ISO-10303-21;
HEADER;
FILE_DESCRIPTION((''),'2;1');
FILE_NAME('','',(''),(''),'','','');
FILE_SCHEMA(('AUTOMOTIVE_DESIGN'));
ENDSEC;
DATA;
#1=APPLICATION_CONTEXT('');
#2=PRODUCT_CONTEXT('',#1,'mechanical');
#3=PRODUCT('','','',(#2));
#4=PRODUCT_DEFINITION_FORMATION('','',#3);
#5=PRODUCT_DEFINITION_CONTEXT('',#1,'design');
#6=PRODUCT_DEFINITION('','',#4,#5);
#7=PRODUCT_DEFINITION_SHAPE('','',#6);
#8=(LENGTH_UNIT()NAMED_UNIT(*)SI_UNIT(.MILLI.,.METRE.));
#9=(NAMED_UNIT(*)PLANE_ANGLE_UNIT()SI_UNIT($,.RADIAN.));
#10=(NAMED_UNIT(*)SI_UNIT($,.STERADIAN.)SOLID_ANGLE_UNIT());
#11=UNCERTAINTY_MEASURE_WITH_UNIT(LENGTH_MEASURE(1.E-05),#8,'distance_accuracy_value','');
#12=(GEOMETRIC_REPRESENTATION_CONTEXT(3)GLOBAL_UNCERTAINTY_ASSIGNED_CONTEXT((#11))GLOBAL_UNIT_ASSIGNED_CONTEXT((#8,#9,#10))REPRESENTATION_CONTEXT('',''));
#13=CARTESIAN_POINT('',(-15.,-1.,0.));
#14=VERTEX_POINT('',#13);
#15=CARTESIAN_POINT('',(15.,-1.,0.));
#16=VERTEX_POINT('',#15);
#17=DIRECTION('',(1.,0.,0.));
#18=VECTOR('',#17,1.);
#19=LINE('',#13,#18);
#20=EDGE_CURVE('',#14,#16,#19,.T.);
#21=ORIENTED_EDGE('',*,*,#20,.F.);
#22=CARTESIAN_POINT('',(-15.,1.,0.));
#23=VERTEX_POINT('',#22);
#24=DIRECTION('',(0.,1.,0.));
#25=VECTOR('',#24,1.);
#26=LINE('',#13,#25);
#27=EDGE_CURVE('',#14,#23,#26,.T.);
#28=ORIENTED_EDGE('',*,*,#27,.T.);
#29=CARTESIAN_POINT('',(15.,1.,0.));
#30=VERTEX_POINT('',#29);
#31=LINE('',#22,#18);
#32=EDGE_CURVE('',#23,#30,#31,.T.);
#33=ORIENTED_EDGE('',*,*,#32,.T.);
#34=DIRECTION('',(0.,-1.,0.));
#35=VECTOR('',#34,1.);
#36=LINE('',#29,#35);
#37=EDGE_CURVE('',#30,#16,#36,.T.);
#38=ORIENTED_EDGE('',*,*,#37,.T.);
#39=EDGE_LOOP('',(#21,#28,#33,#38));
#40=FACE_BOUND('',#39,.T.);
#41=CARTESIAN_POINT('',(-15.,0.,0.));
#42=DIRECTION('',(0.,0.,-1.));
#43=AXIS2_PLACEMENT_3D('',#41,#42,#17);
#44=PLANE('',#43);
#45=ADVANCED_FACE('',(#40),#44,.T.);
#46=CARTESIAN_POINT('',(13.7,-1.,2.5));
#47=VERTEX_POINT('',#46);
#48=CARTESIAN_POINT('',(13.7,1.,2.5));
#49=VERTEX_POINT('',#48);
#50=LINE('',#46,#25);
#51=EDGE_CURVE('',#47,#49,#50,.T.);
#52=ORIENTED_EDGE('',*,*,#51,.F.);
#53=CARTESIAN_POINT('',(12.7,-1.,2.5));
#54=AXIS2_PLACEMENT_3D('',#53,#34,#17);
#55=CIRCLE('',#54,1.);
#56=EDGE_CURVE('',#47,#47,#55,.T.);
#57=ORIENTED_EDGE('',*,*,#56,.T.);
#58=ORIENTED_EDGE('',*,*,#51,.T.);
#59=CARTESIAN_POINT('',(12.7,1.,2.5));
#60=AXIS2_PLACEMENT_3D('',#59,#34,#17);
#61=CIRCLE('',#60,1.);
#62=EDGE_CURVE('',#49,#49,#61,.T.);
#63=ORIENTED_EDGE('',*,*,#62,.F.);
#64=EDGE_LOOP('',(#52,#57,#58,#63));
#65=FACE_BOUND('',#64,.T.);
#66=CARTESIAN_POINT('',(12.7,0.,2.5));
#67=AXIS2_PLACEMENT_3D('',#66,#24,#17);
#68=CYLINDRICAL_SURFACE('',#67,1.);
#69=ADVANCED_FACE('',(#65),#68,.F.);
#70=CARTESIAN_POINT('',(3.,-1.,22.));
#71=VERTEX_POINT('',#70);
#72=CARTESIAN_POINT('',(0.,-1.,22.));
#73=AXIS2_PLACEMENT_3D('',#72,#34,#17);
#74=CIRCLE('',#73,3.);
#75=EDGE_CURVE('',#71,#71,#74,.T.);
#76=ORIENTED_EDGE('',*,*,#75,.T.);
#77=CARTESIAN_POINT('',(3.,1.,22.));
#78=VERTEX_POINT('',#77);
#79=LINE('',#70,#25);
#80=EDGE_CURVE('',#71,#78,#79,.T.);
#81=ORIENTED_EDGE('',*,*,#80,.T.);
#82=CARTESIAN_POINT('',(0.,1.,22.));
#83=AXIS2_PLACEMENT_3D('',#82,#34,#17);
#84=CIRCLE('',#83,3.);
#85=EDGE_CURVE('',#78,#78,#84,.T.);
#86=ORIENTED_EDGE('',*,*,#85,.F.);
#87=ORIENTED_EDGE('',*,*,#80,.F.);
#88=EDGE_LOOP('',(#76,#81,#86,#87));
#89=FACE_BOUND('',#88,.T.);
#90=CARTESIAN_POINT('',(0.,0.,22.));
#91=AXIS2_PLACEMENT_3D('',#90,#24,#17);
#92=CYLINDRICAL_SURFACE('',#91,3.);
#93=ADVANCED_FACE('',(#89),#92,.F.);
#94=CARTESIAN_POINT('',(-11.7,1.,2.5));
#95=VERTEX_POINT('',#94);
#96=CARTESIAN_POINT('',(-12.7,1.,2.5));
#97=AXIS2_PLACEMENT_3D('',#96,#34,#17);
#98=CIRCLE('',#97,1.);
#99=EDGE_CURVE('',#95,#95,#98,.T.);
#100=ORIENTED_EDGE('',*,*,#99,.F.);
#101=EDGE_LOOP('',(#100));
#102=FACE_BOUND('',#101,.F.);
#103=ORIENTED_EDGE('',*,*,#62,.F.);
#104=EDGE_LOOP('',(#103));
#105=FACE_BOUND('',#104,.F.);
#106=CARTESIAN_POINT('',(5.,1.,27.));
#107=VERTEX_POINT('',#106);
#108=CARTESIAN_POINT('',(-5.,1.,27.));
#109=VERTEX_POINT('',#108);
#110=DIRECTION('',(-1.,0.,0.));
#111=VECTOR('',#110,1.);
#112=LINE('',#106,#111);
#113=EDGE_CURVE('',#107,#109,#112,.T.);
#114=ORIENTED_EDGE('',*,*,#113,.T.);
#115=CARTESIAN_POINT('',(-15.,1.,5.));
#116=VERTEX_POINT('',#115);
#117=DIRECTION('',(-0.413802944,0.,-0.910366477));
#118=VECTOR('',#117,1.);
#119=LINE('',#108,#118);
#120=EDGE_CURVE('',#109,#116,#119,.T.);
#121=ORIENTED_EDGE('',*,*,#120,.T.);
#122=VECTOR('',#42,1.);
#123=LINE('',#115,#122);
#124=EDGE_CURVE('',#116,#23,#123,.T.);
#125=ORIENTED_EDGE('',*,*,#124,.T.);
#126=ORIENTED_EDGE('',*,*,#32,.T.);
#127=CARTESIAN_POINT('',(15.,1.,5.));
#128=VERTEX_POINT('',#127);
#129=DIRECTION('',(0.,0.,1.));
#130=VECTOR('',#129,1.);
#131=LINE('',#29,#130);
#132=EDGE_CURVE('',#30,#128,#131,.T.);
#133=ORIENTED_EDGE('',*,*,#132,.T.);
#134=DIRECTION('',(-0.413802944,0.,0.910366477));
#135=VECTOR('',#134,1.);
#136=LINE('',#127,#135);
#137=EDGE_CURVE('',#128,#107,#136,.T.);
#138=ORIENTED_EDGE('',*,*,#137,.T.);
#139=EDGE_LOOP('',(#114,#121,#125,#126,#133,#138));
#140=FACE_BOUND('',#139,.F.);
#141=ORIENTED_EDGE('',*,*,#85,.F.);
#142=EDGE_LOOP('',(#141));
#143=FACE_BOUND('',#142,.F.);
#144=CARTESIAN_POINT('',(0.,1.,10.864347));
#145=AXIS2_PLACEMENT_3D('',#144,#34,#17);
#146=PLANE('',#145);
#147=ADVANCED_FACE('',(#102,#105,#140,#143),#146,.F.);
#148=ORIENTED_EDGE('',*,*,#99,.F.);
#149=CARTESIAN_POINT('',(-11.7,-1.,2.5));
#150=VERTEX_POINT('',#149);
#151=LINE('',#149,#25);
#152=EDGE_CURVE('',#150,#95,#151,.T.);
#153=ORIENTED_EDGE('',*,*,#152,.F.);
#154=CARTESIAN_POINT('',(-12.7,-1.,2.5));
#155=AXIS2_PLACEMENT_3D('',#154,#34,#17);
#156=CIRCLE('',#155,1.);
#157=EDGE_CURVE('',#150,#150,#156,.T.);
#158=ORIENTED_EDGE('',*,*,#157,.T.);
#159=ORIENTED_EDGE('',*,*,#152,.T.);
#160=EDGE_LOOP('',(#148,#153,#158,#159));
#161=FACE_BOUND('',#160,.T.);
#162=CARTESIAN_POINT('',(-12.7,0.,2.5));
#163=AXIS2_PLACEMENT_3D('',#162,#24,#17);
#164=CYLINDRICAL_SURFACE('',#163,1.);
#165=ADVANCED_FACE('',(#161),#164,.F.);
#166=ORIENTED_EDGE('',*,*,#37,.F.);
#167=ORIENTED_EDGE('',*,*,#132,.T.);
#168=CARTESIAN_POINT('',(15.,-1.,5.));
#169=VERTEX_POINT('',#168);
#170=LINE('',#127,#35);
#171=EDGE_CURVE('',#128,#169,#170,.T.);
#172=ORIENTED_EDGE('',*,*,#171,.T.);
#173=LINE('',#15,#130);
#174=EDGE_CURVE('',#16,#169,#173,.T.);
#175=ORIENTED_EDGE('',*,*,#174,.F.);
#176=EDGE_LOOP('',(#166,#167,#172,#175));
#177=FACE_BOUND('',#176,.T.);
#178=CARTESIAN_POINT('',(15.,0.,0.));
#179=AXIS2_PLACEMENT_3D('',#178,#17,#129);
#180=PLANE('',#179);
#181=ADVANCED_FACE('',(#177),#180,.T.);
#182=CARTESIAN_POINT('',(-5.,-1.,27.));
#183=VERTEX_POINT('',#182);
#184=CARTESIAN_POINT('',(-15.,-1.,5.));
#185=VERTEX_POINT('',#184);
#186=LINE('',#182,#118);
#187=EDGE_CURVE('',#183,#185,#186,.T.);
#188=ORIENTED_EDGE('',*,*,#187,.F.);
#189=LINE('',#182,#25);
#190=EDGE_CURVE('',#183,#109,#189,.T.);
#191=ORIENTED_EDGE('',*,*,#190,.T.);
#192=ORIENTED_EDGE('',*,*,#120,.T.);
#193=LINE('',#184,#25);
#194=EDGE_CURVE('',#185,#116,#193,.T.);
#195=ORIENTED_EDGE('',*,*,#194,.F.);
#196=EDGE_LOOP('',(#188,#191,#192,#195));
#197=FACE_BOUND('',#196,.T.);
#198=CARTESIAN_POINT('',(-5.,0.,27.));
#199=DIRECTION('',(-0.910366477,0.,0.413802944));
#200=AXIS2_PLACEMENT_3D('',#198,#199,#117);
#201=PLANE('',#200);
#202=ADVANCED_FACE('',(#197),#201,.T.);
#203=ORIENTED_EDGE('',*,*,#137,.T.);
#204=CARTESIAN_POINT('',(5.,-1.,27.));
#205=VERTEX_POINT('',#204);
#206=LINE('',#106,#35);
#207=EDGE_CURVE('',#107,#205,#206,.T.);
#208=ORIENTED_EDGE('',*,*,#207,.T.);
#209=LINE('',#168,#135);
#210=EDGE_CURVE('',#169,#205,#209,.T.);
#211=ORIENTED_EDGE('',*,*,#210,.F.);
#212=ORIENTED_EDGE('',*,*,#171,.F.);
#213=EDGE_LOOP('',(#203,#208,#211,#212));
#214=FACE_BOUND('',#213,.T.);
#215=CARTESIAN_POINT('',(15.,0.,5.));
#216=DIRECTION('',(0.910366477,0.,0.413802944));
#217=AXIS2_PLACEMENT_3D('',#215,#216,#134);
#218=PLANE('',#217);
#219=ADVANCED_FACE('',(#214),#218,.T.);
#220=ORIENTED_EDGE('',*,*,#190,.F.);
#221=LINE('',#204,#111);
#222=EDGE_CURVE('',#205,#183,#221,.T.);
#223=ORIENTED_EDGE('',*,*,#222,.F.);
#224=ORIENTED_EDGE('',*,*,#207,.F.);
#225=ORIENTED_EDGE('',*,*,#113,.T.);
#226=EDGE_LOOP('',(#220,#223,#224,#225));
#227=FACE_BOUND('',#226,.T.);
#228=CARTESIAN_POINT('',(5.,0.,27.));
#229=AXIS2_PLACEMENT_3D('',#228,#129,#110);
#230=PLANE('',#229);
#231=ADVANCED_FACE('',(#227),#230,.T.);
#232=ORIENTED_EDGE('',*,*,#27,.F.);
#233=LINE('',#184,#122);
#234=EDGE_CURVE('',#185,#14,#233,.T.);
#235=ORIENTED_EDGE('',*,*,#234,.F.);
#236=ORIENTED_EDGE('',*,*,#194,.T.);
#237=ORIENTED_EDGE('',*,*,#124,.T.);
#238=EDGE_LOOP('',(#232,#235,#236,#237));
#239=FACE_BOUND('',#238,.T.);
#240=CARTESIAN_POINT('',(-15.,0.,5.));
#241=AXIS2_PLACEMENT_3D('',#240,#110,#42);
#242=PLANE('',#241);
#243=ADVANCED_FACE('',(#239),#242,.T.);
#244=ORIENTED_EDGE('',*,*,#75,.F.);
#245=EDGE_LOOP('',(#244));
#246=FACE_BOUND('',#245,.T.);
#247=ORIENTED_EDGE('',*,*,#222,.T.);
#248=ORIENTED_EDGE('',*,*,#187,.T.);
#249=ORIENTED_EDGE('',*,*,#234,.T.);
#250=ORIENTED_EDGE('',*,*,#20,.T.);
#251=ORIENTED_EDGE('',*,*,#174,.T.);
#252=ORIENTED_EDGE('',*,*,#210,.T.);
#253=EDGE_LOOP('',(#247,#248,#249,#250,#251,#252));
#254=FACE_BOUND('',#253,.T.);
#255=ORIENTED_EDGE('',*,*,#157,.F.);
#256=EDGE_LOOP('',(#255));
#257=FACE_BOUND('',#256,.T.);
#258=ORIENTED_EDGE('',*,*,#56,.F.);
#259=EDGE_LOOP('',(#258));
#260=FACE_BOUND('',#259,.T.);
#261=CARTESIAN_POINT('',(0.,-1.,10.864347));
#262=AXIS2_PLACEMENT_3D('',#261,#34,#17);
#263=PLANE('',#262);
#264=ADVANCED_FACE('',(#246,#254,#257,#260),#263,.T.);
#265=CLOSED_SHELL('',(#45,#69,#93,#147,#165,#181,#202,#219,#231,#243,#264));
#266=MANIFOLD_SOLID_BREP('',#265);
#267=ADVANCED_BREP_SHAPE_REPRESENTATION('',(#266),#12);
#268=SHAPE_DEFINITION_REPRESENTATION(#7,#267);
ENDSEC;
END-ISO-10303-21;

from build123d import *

# Parameters (mm, degrees)
F0_R     = 1
F0_R_2   = 3
F1_DEPTH = 1


with BuildPart() as f1:
    # F0 (on Front) → F1 (new body, symmetric)
    with BuildSketch(Plane.XZ):
        Polygon((-15, 0), (0, 0), (15, 0), (15, 5), (5, 27), (0, 27), (-5, 27), (-15, 5), align=None)
        with Locations((-12.7, 2.5)):
            Circle(F0_R, mode=Mode.SUBTRACT)
        with Locations((12.7, 2.5)):
            Circle(F0_R, mode=Mode.SUBTRACT)
        with Locations((0, 22)):
            Circle(F0_R_2, mode=Mode.SUBTRACT)
    extrude(amount=F1_DEPTH, both=True)


solid = f1.part
